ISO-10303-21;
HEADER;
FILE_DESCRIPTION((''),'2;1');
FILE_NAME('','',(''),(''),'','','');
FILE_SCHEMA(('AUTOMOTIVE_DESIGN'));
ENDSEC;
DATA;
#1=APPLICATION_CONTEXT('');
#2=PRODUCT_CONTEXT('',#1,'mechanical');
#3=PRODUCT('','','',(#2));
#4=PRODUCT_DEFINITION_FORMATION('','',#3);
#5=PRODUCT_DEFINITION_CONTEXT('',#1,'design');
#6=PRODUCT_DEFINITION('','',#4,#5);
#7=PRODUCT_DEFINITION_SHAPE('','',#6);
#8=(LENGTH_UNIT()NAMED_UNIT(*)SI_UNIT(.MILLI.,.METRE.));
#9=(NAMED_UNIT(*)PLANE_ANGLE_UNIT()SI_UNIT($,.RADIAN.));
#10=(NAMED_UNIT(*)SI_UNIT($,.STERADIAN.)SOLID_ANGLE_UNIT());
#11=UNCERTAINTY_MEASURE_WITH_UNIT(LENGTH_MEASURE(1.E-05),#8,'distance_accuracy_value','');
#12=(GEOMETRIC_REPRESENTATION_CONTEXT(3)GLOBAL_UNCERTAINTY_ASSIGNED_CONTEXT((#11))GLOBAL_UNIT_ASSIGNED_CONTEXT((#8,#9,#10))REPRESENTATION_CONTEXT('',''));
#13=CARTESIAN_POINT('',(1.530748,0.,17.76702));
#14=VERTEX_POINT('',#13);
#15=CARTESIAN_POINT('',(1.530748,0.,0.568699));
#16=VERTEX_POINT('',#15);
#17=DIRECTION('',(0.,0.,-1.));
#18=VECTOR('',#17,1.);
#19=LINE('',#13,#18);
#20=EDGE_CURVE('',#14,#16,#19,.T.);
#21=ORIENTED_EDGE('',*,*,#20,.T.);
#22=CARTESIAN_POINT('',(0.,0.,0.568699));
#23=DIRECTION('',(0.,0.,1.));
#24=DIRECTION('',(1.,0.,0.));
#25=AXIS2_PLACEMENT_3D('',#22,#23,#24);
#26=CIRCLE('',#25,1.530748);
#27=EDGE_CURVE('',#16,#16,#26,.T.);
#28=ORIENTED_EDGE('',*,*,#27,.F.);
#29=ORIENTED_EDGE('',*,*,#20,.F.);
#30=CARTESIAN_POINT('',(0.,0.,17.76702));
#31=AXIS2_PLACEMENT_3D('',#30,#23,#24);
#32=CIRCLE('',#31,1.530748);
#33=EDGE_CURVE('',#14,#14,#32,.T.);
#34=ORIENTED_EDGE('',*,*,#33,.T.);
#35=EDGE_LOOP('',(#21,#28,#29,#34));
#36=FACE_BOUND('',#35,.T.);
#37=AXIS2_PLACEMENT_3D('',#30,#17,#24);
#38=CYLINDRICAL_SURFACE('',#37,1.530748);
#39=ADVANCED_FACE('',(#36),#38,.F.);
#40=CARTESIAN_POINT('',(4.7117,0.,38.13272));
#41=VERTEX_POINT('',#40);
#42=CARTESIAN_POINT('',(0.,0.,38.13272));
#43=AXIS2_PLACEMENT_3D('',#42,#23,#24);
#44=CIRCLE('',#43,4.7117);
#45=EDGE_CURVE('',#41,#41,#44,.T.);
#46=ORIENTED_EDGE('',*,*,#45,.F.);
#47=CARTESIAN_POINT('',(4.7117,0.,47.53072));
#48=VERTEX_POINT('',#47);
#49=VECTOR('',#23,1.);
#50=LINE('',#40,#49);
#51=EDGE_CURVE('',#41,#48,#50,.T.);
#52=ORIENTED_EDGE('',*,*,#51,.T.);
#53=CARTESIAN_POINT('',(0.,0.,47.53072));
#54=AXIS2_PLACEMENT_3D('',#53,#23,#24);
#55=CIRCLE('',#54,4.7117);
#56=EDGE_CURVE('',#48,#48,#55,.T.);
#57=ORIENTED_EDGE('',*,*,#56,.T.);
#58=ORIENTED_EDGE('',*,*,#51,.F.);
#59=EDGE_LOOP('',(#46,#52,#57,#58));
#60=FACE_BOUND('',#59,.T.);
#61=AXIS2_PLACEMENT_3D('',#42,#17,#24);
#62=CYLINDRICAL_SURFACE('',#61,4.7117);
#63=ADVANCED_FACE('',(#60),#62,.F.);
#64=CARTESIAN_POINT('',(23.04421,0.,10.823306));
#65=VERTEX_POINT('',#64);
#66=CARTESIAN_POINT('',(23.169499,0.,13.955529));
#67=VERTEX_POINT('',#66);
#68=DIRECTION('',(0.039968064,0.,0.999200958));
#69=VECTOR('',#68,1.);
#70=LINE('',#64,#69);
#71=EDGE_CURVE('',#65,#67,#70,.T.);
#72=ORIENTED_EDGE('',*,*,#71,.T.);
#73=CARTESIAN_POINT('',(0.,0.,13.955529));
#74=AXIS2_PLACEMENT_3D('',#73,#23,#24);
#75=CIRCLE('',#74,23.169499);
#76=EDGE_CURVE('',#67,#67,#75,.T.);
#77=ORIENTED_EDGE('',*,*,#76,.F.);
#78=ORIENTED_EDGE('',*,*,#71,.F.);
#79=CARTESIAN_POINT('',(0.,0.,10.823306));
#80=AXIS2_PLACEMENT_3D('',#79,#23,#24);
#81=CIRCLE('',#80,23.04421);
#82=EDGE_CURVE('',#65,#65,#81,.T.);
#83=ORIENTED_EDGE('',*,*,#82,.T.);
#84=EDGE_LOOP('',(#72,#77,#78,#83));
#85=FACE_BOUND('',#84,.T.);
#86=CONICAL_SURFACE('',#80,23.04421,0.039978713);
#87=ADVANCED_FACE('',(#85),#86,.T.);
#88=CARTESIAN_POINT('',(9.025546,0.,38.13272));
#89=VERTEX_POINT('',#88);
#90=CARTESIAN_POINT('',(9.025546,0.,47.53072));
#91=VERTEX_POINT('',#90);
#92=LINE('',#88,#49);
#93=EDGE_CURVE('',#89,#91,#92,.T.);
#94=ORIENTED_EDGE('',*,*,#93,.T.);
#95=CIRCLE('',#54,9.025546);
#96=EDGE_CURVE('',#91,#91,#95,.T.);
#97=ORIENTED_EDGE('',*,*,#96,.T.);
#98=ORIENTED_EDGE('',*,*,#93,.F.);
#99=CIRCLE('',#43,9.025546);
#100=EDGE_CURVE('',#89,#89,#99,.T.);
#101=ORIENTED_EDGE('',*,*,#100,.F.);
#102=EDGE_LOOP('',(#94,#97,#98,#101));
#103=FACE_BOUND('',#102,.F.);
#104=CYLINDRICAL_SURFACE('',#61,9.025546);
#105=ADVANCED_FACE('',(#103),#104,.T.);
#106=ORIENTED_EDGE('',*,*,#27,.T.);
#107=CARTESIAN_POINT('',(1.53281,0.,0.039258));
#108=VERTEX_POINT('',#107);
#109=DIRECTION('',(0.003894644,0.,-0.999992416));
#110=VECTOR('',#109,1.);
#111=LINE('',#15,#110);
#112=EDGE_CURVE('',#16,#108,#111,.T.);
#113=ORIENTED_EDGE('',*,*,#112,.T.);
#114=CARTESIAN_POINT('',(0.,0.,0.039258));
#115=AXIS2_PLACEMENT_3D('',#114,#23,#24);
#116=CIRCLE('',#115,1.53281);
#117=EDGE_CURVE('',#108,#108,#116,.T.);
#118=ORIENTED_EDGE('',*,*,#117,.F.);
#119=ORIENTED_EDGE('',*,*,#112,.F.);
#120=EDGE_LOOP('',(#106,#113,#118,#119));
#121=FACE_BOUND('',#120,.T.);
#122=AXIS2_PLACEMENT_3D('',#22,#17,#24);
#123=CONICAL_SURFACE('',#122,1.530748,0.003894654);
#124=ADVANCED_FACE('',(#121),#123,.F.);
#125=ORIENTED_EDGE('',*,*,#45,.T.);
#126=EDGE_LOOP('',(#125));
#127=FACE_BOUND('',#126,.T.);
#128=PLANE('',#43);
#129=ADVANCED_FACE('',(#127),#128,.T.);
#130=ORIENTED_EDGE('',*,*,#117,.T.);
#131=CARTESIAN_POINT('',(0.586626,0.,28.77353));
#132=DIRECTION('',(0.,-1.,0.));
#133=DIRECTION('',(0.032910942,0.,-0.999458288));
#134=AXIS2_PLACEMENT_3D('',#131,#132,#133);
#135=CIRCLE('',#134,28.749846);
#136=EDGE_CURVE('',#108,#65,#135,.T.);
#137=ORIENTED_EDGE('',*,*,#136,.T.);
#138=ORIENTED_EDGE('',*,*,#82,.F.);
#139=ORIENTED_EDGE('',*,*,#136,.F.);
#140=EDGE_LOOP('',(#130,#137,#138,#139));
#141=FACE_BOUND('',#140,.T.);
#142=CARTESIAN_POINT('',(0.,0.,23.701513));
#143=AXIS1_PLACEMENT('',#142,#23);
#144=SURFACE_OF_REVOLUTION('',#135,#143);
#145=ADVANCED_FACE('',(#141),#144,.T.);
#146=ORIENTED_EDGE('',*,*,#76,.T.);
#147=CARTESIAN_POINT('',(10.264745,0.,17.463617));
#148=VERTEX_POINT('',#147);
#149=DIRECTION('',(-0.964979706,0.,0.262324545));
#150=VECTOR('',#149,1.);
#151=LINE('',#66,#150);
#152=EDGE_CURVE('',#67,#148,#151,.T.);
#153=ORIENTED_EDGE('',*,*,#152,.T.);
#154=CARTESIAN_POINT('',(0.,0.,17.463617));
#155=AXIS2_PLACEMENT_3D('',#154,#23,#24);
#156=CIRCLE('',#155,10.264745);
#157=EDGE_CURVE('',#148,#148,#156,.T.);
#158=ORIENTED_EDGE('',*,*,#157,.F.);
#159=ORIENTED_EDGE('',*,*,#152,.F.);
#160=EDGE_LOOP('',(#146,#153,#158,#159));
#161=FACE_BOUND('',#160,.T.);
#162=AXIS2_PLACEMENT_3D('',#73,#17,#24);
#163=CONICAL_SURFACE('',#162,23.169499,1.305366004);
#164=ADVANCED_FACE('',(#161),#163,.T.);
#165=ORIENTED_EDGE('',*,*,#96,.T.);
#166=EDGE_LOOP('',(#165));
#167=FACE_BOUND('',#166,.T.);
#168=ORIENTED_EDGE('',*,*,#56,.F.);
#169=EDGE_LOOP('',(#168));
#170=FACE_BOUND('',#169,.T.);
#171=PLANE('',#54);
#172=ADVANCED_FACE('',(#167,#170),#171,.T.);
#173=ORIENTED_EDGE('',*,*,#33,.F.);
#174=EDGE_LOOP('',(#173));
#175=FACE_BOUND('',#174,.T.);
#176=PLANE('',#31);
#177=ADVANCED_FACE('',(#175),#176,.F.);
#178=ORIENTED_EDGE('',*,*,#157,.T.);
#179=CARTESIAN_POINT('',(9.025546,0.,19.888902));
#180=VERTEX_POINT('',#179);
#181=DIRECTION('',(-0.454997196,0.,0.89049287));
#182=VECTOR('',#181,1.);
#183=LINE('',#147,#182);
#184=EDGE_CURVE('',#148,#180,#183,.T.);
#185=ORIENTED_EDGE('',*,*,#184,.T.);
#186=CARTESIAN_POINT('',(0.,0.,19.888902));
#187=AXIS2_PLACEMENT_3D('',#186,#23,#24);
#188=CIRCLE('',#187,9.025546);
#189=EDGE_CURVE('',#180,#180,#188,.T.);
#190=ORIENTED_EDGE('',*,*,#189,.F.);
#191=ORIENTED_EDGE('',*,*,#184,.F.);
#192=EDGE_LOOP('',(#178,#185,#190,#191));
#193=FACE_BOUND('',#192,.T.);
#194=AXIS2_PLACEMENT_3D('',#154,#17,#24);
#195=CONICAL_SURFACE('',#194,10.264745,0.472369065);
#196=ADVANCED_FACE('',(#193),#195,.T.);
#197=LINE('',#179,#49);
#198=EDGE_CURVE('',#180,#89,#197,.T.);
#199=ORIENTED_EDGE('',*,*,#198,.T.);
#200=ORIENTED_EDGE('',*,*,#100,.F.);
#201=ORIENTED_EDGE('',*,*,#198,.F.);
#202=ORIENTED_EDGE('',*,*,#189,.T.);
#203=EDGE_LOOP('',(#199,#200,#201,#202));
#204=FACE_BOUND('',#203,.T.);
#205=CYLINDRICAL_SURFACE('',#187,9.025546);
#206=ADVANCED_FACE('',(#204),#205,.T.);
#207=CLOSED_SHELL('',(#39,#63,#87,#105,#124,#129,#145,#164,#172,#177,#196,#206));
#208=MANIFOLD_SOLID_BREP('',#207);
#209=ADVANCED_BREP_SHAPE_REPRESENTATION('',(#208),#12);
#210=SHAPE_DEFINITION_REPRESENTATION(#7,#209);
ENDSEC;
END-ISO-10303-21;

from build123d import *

# Parameters (mm, degrees)
F2_R     = 9.025546
F2_R_2   = 4.7117
F3_DEPTH = 9.398


with BuildPart() as f1:
    # F0 (on Front) → F1 (revolve)
    with BuildSketch(Plane.XZ):
        with BuildLine():
            Line((5.046254, 38.13272), (0, 38.13272))
            Line((0, 38.13272), (0, 17.76702))
            Line((0, 17.76702), (1.530748, 17.76702))
            Line((1.530748, 17.76702), (1.530748, 0.568699))
            Line((1.530748, 0.568699), (1.53281, 0.039258))
            ThreePointArc((1.53281, 0.039258), (13.471036, 3.072448), (23.04421, 10.823306))
            Line((23.04421, 10.823306), (23.169499, 13.955529))
            Line((23.169499, 13.955529), (10.264745, 17.463617))
            Line((10.264745, 17.463617), (9.025546, 19.888902))
            Line((9.025546, 19.888902), (9.025546, 38.13272))
            Line((9.025546, 38.13272), (5.046254, 38.13272))
        make_face()
    revolve(axis=Axis((0, 0, 23.701513), (0, 0, 1)))

    # F2 (on face) → F3 (join)
    with BuildSketch(Plane.XY.offset(38.13272)):
        Circle(F2_R)
        Circle(F2_R_2, mode=Mode.SUBTRACT)
    extrude(amount=F3_DEPTH)


solid = f1.part
